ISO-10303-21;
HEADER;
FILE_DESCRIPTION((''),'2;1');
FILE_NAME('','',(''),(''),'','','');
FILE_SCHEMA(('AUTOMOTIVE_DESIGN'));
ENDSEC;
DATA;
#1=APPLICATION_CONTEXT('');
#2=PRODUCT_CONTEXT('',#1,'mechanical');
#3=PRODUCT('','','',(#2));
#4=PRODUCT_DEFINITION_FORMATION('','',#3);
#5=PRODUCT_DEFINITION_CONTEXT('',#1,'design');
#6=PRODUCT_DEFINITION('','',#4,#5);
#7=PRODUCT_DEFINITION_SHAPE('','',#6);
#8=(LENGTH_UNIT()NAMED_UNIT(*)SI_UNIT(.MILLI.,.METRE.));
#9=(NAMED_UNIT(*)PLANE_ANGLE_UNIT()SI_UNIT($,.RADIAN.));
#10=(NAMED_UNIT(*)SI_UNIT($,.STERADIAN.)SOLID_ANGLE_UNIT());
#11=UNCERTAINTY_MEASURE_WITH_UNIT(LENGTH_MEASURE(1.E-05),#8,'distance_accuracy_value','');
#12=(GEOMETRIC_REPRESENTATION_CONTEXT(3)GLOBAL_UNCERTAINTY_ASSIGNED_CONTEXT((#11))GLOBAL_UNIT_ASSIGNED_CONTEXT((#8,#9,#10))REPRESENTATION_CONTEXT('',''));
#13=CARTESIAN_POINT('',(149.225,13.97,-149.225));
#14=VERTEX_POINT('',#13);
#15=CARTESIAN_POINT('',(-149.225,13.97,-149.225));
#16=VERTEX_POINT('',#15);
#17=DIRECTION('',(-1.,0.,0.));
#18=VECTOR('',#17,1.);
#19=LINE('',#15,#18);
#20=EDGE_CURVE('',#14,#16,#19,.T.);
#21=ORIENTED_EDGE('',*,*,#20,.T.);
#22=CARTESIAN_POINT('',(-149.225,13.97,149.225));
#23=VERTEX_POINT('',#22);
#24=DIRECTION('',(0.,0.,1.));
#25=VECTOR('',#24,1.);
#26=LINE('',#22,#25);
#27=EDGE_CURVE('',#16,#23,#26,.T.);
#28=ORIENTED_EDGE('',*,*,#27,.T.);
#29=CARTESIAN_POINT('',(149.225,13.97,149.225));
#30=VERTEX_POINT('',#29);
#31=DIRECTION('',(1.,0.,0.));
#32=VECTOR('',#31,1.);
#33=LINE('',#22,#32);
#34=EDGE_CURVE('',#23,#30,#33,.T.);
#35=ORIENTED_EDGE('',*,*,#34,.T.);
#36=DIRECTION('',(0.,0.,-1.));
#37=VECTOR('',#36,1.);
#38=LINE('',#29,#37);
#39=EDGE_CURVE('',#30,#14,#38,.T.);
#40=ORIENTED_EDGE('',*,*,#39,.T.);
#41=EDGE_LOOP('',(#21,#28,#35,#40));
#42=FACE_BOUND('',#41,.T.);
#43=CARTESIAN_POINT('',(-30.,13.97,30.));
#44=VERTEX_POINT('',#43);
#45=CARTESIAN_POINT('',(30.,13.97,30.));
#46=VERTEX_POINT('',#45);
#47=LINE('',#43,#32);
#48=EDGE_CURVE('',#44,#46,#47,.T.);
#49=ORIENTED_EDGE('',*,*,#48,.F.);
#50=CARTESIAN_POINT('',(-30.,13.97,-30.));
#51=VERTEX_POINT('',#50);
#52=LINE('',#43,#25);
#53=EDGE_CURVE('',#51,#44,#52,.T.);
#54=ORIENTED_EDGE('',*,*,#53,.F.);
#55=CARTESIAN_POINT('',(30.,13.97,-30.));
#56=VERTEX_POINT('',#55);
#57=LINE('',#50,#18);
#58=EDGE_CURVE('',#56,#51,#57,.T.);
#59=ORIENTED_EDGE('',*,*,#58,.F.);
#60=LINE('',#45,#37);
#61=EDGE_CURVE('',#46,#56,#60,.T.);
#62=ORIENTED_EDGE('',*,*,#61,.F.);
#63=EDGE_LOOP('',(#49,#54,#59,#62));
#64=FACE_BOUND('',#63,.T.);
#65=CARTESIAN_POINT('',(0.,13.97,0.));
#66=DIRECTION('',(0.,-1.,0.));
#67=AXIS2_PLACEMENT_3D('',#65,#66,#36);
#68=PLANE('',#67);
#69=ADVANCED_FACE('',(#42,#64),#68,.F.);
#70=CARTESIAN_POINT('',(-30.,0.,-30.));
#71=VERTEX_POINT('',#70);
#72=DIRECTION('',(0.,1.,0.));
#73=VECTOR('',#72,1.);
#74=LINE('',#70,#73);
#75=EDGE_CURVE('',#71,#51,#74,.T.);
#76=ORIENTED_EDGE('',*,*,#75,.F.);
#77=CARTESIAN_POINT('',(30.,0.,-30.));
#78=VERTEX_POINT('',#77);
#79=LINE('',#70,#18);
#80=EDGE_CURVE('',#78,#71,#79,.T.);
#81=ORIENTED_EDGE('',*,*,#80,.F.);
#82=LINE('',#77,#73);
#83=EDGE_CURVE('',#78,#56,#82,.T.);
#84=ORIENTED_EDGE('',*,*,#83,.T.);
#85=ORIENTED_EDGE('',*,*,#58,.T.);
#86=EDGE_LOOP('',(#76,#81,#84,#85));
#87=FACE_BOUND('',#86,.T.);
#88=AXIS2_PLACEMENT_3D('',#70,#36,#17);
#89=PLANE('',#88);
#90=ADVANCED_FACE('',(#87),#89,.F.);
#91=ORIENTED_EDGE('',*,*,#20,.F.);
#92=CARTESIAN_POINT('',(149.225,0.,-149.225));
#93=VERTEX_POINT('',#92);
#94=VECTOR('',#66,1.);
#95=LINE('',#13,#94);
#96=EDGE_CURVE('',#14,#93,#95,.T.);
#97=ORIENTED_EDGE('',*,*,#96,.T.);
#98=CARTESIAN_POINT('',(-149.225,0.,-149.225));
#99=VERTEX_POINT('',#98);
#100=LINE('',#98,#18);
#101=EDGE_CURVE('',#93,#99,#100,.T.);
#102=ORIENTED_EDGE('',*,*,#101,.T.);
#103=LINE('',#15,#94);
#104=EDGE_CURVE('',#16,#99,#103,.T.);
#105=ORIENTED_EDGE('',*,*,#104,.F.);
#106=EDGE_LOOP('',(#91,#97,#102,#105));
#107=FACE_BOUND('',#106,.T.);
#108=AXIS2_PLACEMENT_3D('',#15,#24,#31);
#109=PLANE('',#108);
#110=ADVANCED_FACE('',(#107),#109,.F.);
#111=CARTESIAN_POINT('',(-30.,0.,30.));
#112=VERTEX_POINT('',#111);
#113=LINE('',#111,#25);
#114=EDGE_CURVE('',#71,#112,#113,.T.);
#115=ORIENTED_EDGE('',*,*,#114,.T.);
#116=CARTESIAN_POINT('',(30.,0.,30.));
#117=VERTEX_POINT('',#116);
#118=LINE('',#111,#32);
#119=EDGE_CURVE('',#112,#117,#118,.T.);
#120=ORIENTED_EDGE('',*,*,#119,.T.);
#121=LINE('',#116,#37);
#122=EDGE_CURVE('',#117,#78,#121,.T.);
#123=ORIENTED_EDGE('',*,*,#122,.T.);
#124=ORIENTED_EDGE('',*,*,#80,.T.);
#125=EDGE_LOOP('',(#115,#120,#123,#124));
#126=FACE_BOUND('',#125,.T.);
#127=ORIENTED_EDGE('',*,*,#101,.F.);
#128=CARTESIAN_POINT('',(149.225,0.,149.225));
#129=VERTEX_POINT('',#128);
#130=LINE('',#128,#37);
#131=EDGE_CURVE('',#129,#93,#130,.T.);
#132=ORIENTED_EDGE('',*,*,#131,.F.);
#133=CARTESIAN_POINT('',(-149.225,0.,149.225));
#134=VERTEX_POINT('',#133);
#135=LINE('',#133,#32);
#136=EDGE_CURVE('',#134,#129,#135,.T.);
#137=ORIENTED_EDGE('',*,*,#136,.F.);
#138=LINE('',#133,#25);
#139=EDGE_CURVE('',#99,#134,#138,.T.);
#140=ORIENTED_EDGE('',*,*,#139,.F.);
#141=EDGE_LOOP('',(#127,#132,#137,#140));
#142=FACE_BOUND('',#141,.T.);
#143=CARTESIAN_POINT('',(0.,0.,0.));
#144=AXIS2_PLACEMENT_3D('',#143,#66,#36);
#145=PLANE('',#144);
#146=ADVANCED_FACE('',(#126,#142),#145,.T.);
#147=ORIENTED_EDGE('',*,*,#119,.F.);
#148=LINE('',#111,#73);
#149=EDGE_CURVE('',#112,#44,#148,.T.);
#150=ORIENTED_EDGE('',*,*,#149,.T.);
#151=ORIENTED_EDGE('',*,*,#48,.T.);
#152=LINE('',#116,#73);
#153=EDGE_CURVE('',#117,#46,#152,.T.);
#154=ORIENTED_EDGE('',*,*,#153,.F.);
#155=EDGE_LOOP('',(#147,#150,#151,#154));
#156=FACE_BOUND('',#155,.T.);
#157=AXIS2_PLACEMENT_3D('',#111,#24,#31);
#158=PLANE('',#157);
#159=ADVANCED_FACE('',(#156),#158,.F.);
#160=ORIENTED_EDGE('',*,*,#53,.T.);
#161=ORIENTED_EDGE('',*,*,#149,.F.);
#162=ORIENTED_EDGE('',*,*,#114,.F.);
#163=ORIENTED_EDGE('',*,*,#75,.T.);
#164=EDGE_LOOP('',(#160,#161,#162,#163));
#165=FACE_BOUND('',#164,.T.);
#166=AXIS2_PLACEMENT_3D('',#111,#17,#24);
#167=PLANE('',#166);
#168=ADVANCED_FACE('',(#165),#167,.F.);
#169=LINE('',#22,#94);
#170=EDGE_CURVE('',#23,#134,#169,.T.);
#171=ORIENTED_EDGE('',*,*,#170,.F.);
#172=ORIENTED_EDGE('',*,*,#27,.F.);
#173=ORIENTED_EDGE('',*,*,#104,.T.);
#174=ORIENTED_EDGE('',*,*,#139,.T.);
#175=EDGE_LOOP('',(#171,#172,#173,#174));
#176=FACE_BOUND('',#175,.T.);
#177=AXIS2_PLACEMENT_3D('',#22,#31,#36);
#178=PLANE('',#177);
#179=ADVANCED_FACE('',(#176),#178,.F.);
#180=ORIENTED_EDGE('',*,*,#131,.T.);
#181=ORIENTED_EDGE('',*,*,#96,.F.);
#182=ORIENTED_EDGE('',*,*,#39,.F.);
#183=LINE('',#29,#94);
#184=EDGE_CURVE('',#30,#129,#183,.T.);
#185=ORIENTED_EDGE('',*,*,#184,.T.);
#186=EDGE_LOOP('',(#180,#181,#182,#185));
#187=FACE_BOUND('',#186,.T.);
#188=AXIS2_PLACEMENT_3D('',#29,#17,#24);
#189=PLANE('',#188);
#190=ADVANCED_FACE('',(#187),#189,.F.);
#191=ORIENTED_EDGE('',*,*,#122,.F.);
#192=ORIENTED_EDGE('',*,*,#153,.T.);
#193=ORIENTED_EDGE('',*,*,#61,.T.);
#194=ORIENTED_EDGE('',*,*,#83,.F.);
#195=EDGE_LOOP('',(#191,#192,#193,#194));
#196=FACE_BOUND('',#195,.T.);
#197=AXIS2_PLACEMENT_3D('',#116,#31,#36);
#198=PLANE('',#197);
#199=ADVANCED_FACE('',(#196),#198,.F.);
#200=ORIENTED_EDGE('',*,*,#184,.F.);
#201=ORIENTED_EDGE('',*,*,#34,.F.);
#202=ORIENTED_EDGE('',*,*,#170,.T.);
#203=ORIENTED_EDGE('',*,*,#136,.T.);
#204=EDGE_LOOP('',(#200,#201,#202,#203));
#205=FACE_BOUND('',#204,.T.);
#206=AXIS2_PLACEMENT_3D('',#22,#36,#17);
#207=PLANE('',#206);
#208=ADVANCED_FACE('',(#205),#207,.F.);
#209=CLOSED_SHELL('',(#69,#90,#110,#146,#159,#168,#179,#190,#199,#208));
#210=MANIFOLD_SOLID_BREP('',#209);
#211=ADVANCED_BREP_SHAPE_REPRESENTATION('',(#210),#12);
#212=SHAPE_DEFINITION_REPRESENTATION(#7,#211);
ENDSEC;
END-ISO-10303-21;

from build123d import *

# Parameters (mm, degrees)
SKETCH1_W           = 298.45
SKETCH1_H           = 298.45
BOSS_EXTRUDE1_DEPTH = 13.97
SKETCH3_W           = 60
SKETCH3_H           = 60
CUT_EXTRUDE2_DEPTH  = 212.497901053


with BuildPart() as part:
    # Sketch1 → Boss-Extrude1 (new body)
    with BuildSketch(Plane(origin=(0, 0, 0), x_dir=(1, 0, 0), z_dir=(0, 1, 0))):
        Rectangle(SKETCH1_W, SKETCH1_H)
    extrude(amount=BOSS_EXTRUDE1_DEPTH)

    # Sketch3 → Cut-Extrude2 (cut, through all)
    with BuildSketch(Plane(origin=(0, 13.97, 0), x_dir=(1, 0, 0), z_dir=(0, 1, 0))):
        Rectangle(SKETCH3_W, SKETCH3_H)
    extrude(amount=-CUT_EXTRUDE2_DEPTH, mode=Mode.SUBTRACT)


solid = part.part
